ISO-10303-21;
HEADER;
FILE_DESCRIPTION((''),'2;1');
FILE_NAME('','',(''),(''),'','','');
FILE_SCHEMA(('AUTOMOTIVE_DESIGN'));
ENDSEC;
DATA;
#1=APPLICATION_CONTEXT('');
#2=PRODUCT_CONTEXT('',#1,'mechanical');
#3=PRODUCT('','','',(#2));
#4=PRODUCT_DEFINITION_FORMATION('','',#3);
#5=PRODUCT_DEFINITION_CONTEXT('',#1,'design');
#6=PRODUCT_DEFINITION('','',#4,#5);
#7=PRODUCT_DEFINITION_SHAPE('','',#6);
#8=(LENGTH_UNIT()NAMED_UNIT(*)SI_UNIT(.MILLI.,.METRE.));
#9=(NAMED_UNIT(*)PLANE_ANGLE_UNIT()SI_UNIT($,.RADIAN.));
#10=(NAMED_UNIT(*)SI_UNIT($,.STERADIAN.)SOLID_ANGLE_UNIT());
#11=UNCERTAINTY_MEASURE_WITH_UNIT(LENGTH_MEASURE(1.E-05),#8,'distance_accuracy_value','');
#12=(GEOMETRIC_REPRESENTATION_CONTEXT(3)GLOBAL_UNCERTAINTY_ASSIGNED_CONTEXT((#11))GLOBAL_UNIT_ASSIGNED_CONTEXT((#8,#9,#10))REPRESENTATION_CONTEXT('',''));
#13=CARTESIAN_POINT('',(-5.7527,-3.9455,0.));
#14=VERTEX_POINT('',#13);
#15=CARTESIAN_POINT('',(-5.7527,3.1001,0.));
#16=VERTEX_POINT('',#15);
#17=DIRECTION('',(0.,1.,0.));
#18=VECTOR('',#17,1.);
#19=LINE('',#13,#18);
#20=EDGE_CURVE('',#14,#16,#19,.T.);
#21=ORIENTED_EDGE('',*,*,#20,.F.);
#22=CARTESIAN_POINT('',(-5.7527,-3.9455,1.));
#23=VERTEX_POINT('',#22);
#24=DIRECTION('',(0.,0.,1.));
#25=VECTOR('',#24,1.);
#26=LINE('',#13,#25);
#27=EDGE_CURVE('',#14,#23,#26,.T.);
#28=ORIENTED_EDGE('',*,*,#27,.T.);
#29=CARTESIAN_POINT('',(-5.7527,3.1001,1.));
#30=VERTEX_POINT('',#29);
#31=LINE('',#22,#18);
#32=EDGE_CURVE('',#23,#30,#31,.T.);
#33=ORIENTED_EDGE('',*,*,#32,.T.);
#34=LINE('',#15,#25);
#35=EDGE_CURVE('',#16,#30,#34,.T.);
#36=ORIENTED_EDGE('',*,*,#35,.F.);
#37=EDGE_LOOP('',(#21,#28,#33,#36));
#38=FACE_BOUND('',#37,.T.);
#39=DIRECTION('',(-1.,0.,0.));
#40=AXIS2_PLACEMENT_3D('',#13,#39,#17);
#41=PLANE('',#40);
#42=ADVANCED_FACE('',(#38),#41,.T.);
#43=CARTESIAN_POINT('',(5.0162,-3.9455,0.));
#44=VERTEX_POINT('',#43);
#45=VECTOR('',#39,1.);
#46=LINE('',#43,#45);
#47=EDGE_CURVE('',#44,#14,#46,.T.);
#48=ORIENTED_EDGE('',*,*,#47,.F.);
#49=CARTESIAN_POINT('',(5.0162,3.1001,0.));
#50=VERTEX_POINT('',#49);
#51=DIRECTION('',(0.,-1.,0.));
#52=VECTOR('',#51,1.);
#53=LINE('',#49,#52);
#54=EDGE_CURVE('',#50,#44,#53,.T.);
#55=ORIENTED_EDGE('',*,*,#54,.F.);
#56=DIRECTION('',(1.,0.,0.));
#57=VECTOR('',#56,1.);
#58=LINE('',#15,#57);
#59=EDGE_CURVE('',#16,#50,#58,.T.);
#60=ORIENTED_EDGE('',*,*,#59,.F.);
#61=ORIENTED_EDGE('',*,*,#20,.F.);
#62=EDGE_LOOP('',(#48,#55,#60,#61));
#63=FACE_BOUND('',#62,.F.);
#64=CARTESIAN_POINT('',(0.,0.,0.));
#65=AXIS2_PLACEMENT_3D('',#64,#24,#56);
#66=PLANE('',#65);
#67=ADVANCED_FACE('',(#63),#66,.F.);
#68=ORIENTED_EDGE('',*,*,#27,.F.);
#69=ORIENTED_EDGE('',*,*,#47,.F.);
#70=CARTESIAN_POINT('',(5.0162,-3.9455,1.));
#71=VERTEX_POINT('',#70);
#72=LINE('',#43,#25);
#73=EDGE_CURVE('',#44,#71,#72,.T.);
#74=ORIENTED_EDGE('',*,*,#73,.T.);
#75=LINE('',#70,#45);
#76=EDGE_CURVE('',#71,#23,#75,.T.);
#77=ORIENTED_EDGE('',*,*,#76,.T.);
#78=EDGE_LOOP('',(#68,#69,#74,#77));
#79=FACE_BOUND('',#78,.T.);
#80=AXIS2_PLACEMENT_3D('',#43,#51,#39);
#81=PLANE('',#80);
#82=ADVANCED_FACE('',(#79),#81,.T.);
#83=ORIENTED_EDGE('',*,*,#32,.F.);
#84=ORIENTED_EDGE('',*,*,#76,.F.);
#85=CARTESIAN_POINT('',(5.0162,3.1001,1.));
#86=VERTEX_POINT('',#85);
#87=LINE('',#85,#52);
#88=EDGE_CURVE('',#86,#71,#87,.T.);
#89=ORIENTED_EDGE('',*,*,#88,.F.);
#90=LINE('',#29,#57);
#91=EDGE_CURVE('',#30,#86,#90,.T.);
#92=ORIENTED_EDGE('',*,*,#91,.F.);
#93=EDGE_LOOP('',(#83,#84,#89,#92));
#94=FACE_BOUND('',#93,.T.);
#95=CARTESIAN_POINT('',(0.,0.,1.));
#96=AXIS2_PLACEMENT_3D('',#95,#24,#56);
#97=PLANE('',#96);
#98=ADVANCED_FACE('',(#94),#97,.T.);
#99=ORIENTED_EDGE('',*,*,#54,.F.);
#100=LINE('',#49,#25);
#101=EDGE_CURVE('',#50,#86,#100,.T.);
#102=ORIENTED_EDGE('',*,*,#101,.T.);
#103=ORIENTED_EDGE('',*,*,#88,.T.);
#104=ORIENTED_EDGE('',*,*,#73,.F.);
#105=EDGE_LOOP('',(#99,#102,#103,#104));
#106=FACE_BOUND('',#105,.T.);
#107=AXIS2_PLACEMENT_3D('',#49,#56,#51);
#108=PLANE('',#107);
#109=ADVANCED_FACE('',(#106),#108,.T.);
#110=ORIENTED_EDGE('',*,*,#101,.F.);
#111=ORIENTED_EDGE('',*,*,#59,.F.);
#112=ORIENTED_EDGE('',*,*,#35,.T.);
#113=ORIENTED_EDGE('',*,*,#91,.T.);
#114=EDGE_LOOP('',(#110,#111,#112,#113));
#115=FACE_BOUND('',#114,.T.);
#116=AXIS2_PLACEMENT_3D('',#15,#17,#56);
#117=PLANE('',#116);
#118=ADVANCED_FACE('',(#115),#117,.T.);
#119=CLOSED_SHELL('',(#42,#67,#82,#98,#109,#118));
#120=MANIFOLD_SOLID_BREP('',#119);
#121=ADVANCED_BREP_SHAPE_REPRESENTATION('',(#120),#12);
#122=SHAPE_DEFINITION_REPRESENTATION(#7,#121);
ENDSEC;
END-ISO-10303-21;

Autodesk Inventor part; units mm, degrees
ref_plane "YZ Plane" through (0, 0, 0) normal (1, 0, 0) x (0, 1, 0)
ref_plane "XZ Plane" through (0, 0, 0) normal (0, 1, 0) x (-1, 0, 0)
ref_plane "XY Plane" through (0, 0, 0) normal (0, 0, 1) x (1, 0, 0)
sketch "SOIC-16, IC_DIL16-SOIC-16_81" plane through (0, 0, 0) normal (0, 0, 1) x (1, 0, 0)
  line L0 (-5.7527, 3.1001) -> (5.0162, 3.1001)
  line L1 (5.0162, 3.1001) -> (5.0162, -3.9455)
  line L2 (5.0162, -3.9455) -> (-5.7527, -3.9455)
  line L3 (-5.7527, -3.9455) -> (-5.7527, 3.1001)
extrude "Extrusion1" add sketch "SOIC-16, IC_DIL16-SOIC-16_81" along normal blind 1
properties part number "IC_DIL16-SOIC-16"
